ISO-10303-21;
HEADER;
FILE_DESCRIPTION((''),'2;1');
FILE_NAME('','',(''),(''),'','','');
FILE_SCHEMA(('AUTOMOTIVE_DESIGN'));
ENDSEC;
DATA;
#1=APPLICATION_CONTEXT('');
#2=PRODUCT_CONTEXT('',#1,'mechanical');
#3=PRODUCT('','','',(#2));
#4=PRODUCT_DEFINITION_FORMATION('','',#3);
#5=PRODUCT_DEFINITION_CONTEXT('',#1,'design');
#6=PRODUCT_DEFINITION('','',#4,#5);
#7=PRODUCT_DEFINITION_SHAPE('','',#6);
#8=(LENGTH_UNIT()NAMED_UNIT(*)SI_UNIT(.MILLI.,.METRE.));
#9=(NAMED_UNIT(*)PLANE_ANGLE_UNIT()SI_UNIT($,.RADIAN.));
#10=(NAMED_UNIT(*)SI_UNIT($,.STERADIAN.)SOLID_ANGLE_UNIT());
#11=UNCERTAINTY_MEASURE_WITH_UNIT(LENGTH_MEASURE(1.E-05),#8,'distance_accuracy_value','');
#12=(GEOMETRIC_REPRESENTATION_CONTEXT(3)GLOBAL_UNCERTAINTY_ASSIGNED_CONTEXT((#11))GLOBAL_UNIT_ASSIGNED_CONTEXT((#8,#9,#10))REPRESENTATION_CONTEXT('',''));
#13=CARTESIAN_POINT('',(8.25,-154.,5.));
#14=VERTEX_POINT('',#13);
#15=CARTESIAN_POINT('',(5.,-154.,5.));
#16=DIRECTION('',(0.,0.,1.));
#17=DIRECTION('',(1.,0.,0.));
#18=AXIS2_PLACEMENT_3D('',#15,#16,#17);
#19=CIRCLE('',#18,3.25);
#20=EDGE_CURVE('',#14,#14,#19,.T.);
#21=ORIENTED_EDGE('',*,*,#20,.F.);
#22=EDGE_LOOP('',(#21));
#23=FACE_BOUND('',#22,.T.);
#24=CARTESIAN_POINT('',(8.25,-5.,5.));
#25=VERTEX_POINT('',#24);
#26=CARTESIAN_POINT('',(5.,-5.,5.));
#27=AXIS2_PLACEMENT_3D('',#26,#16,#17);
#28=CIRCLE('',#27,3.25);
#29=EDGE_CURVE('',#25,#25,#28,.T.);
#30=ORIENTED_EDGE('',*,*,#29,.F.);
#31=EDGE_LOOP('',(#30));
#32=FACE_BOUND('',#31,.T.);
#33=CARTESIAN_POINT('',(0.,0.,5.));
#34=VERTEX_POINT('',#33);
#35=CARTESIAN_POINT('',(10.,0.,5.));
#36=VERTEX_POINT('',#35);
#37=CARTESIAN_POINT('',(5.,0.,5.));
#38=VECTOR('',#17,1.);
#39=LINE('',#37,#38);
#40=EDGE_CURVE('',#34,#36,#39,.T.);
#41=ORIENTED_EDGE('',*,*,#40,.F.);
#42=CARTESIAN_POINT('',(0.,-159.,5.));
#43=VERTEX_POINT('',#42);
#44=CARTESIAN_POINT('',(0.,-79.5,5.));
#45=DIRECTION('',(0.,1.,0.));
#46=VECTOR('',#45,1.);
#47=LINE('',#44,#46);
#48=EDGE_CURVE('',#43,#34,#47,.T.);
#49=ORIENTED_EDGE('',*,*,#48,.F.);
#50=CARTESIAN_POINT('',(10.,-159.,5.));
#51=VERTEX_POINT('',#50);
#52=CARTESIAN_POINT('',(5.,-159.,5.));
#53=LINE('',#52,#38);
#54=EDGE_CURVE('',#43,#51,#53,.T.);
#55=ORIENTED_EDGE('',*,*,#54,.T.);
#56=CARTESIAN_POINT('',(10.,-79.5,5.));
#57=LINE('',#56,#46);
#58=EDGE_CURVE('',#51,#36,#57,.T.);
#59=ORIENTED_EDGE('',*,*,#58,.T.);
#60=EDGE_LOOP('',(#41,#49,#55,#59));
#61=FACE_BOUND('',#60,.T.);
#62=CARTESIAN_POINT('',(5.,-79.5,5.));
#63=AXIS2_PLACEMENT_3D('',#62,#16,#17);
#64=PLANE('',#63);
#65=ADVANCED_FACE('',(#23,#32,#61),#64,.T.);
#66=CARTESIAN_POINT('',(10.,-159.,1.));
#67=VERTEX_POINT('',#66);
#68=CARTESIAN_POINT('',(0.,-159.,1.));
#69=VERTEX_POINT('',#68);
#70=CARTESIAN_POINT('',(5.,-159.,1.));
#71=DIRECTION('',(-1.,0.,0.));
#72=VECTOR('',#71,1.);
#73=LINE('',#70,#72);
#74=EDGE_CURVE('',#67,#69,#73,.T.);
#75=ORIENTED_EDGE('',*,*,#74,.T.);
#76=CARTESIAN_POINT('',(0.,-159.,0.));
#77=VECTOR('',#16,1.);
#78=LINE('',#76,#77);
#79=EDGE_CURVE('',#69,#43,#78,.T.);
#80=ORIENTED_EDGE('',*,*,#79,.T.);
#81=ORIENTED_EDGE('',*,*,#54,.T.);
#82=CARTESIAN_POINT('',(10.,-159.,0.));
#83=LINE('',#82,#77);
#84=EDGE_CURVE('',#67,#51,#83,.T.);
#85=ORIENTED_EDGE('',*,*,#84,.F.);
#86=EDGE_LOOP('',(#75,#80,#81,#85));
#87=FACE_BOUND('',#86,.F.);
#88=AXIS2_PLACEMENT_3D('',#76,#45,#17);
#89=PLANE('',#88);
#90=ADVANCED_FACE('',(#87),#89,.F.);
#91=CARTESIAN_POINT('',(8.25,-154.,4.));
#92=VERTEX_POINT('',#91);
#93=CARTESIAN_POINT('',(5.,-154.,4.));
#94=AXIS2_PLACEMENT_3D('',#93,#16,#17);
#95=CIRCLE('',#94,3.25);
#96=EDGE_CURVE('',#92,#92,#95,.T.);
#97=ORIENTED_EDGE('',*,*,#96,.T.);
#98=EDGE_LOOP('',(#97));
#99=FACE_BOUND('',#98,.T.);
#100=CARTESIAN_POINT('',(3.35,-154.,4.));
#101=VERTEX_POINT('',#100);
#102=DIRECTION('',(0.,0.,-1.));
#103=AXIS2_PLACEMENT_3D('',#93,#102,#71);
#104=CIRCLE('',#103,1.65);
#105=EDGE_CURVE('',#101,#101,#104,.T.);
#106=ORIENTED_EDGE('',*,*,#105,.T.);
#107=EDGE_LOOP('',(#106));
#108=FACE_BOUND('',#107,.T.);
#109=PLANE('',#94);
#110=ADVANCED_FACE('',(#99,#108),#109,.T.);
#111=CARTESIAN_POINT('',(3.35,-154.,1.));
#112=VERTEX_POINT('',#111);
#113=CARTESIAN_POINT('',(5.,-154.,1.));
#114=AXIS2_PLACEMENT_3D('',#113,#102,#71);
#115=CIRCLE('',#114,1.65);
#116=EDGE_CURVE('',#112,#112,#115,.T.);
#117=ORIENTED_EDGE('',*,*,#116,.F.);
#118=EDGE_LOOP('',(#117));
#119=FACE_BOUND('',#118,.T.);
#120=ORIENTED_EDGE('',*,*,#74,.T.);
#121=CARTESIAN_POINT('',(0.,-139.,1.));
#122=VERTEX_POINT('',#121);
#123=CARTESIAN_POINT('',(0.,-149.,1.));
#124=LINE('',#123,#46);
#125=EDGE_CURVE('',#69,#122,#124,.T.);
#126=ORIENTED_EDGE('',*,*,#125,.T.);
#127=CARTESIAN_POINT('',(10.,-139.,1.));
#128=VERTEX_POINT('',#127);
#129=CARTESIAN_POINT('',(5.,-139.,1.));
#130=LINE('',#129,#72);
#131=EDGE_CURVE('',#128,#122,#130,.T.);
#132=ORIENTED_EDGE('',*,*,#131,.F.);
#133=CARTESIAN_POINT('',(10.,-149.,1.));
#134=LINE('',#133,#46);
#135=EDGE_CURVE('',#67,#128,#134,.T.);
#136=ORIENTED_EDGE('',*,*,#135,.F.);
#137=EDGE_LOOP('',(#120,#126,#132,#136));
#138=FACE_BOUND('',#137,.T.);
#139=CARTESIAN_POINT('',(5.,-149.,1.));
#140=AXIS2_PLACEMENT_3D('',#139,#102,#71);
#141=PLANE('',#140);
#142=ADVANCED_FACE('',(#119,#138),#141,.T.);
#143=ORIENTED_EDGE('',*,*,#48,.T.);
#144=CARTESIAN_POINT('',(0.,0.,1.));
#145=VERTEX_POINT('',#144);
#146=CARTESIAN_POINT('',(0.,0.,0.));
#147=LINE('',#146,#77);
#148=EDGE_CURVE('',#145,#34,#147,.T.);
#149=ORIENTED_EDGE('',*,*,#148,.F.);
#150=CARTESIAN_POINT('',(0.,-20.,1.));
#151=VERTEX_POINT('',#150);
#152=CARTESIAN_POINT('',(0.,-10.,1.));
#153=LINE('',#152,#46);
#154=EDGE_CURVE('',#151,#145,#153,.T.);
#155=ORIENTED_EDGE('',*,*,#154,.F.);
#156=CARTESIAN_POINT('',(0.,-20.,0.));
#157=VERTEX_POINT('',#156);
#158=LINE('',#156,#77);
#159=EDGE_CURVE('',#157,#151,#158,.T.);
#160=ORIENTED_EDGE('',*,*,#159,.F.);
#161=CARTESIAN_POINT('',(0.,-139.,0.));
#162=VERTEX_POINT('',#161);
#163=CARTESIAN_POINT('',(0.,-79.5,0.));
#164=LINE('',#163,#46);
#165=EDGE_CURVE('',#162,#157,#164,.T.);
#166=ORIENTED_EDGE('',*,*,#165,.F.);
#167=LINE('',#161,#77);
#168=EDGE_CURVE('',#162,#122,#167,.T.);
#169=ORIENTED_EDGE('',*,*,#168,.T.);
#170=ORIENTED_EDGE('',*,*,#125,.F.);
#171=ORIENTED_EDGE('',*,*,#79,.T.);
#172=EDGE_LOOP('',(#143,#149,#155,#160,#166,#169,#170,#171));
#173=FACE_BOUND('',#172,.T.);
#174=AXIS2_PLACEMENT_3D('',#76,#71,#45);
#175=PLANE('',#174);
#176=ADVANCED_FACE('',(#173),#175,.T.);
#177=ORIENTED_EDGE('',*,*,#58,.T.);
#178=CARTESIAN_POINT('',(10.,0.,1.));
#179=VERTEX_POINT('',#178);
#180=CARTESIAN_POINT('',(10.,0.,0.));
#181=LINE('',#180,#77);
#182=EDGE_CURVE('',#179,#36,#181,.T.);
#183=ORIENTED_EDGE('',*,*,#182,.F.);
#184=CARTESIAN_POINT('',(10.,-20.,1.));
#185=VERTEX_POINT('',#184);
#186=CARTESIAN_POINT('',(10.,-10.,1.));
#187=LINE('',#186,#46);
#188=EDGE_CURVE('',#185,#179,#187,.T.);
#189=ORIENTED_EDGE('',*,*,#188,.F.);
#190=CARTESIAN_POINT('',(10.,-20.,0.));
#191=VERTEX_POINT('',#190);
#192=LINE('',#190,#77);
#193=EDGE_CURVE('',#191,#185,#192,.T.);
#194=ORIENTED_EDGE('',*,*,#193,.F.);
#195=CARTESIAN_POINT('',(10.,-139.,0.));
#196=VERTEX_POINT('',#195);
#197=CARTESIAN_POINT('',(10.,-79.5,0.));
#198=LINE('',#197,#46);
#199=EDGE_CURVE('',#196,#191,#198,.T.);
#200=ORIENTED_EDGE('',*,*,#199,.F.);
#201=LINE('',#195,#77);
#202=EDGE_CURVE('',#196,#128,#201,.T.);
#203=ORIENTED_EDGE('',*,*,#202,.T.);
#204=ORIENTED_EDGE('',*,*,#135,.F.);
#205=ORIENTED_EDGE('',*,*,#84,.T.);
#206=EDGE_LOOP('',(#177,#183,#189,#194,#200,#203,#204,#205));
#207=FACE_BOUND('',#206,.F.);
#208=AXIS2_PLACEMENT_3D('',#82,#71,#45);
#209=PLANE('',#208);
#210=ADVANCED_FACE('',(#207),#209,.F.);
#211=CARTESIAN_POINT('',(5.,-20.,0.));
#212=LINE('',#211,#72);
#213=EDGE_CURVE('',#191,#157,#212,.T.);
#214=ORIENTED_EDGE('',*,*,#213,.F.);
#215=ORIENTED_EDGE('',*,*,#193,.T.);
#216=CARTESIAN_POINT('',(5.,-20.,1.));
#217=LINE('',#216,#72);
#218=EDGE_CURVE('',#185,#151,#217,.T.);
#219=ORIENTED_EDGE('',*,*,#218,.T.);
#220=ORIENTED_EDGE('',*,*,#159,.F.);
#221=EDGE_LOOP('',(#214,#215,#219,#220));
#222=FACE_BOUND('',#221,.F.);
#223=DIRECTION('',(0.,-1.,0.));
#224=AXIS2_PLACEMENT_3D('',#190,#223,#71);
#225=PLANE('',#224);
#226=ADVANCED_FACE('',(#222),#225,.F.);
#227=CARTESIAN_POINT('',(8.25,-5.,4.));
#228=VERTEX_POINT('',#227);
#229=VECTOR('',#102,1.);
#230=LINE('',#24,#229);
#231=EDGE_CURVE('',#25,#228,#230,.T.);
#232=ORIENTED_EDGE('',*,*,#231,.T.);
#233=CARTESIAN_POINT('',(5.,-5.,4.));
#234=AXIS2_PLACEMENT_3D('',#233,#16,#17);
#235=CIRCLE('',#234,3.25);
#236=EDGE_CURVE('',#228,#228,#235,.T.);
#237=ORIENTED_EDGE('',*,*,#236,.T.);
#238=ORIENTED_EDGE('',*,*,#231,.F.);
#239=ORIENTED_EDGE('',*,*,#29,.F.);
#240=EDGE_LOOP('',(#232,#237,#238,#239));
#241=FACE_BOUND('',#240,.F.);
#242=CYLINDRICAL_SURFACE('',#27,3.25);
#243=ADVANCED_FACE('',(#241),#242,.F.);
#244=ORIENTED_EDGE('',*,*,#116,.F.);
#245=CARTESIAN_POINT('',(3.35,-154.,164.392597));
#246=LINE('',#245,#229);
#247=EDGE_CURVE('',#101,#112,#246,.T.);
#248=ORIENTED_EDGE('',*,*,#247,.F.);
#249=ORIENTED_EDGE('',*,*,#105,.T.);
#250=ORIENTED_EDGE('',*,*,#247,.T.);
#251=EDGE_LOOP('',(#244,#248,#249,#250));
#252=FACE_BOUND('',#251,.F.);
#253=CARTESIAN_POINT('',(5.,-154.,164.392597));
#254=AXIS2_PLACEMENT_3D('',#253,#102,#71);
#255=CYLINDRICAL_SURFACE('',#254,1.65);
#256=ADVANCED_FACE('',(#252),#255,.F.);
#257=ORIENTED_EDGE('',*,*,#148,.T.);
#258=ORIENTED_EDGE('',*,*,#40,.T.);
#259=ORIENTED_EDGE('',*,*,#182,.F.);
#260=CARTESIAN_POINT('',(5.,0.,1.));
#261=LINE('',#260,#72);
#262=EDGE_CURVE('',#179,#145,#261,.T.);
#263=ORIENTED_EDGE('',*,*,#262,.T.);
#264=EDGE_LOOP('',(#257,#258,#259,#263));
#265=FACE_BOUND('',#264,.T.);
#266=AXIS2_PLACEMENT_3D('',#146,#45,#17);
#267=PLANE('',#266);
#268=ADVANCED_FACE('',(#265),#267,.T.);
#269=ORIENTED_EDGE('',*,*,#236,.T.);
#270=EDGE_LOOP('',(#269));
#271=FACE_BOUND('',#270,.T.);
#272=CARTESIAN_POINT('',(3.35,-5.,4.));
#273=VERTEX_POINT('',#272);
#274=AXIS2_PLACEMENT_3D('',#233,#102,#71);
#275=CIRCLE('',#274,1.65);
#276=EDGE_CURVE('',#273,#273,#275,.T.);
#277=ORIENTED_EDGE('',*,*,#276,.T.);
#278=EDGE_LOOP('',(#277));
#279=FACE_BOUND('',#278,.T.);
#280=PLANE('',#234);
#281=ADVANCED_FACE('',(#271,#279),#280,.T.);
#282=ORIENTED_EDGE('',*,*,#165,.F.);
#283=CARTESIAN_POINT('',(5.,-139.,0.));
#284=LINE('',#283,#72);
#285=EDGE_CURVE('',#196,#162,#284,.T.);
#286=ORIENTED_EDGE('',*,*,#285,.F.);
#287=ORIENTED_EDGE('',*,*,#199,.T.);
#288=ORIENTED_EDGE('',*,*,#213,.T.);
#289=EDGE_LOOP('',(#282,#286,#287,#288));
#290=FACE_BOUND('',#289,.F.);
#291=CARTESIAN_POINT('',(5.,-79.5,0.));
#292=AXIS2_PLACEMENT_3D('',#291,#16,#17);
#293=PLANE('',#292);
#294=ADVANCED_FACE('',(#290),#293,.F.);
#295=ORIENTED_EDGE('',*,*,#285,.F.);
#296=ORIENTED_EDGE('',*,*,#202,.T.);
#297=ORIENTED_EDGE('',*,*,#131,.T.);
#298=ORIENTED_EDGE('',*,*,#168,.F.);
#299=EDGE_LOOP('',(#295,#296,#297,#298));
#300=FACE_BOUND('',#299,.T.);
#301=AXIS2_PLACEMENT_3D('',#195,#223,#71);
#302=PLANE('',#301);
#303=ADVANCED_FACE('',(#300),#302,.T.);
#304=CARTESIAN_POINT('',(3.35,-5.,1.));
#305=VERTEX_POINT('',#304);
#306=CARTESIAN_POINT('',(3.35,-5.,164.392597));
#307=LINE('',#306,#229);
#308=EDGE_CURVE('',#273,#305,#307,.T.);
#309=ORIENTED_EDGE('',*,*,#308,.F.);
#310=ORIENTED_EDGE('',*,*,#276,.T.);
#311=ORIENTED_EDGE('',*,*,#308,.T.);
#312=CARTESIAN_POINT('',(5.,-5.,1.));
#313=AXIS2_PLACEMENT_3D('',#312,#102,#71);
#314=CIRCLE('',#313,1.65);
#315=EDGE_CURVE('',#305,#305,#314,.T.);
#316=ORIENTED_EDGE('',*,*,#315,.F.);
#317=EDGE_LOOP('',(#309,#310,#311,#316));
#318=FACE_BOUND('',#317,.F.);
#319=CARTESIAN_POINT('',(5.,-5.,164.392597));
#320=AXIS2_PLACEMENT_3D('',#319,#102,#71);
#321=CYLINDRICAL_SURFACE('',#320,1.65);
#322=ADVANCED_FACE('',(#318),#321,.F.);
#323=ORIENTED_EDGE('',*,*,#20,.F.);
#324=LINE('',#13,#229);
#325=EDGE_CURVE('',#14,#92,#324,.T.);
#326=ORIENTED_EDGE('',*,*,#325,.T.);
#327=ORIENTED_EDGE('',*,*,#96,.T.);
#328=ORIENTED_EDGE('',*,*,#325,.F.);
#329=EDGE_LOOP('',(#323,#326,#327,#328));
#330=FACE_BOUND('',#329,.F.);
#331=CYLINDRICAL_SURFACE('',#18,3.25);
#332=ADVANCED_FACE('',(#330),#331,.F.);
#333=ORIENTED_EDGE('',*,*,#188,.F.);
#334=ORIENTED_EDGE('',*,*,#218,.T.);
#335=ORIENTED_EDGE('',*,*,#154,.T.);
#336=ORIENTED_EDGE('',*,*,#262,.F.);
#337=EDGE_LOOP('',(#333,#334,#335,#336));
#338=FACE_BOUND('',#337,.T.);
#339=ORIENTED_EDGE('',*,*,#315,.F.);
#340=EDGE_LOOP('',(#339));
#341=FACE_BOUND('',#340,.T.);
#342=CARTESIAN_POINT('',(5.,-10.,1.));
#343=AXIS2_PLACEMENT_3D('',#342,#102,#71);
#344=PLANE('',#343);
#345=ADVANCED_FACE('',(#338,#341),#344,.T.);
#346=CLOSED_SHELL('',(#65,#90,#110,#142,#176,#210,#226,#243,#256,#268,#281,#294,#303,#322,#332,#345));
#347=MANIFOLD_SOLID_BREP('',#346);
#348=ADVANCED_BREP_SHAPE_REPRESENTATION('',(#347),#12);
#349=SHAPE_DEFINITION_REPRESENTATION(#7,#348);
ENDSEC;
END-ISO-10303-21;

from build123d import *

# Parameters (mm, degrees)
SKETCH_1_W          = 10
SKETCH_1_H          = 159
EXTRUDE_1_DEPTH     = 5
SKETCH_3_W          = 10
SKETCH_3_H          = 20
CUT_EXTRUDE_1_DEPTH = 1
HOLE_WIZARD_M4_1_D  = 3.3
SKETCH_7_R          = 3.25
CUT_EXTRUDE_2_DEPTH = 1


with BuildPart() as part:
    # 草图1 → 凸台-拉伸1 (new body)
    with BuildSketch(Plane.XY):
        with Locations((5, -79.5)):
            Rectangle(SKETCH_1_W, SKETCH_1_H)
    extrude(amount=EXTRUDE_1_DEPTH)

    # 草图3 → 切除-拉伸1 (cut)
    with BuildSketch(Plane(origin=(0, 0, 0), x_dir=(-1, 0, 0), z_dir=(0, 0, -1))):
        with Locations((-5, -10)):
            Rectangle(SKETCH_3_W, SKETCH_3_H)
        with Locations((-5, -149)):
            Rectangle(SKETCH_3_W, SKETCH_3_H)
    extrude(amount=-CUT_EXTRUDE_1_DEPTH, mode=Mode.SUBTRACT)

    # M4 螺纹孔的螺纹孔钻头1 (through all)
    with Locations(Plane.XY.offset(5)):
        with Locations((5, -5), (5, -154)):
            Hole(HOLE_WIZARD_M4_1_D / 2)

    # 草图7 → 切除-拉伸2 (cut)
    with BuildSketch(Plane.XY.offset(5)):
        with Locations((5, -5)):
            Circle(SKETCH_7_R)
        with Locations((5, -154)):
            Circle(SKETCH_7_R)
    extrude(amount=-CUT_EXTRUDE_2_DEPTH, mode=Mode.SUBTRACT)


solid = part.part
